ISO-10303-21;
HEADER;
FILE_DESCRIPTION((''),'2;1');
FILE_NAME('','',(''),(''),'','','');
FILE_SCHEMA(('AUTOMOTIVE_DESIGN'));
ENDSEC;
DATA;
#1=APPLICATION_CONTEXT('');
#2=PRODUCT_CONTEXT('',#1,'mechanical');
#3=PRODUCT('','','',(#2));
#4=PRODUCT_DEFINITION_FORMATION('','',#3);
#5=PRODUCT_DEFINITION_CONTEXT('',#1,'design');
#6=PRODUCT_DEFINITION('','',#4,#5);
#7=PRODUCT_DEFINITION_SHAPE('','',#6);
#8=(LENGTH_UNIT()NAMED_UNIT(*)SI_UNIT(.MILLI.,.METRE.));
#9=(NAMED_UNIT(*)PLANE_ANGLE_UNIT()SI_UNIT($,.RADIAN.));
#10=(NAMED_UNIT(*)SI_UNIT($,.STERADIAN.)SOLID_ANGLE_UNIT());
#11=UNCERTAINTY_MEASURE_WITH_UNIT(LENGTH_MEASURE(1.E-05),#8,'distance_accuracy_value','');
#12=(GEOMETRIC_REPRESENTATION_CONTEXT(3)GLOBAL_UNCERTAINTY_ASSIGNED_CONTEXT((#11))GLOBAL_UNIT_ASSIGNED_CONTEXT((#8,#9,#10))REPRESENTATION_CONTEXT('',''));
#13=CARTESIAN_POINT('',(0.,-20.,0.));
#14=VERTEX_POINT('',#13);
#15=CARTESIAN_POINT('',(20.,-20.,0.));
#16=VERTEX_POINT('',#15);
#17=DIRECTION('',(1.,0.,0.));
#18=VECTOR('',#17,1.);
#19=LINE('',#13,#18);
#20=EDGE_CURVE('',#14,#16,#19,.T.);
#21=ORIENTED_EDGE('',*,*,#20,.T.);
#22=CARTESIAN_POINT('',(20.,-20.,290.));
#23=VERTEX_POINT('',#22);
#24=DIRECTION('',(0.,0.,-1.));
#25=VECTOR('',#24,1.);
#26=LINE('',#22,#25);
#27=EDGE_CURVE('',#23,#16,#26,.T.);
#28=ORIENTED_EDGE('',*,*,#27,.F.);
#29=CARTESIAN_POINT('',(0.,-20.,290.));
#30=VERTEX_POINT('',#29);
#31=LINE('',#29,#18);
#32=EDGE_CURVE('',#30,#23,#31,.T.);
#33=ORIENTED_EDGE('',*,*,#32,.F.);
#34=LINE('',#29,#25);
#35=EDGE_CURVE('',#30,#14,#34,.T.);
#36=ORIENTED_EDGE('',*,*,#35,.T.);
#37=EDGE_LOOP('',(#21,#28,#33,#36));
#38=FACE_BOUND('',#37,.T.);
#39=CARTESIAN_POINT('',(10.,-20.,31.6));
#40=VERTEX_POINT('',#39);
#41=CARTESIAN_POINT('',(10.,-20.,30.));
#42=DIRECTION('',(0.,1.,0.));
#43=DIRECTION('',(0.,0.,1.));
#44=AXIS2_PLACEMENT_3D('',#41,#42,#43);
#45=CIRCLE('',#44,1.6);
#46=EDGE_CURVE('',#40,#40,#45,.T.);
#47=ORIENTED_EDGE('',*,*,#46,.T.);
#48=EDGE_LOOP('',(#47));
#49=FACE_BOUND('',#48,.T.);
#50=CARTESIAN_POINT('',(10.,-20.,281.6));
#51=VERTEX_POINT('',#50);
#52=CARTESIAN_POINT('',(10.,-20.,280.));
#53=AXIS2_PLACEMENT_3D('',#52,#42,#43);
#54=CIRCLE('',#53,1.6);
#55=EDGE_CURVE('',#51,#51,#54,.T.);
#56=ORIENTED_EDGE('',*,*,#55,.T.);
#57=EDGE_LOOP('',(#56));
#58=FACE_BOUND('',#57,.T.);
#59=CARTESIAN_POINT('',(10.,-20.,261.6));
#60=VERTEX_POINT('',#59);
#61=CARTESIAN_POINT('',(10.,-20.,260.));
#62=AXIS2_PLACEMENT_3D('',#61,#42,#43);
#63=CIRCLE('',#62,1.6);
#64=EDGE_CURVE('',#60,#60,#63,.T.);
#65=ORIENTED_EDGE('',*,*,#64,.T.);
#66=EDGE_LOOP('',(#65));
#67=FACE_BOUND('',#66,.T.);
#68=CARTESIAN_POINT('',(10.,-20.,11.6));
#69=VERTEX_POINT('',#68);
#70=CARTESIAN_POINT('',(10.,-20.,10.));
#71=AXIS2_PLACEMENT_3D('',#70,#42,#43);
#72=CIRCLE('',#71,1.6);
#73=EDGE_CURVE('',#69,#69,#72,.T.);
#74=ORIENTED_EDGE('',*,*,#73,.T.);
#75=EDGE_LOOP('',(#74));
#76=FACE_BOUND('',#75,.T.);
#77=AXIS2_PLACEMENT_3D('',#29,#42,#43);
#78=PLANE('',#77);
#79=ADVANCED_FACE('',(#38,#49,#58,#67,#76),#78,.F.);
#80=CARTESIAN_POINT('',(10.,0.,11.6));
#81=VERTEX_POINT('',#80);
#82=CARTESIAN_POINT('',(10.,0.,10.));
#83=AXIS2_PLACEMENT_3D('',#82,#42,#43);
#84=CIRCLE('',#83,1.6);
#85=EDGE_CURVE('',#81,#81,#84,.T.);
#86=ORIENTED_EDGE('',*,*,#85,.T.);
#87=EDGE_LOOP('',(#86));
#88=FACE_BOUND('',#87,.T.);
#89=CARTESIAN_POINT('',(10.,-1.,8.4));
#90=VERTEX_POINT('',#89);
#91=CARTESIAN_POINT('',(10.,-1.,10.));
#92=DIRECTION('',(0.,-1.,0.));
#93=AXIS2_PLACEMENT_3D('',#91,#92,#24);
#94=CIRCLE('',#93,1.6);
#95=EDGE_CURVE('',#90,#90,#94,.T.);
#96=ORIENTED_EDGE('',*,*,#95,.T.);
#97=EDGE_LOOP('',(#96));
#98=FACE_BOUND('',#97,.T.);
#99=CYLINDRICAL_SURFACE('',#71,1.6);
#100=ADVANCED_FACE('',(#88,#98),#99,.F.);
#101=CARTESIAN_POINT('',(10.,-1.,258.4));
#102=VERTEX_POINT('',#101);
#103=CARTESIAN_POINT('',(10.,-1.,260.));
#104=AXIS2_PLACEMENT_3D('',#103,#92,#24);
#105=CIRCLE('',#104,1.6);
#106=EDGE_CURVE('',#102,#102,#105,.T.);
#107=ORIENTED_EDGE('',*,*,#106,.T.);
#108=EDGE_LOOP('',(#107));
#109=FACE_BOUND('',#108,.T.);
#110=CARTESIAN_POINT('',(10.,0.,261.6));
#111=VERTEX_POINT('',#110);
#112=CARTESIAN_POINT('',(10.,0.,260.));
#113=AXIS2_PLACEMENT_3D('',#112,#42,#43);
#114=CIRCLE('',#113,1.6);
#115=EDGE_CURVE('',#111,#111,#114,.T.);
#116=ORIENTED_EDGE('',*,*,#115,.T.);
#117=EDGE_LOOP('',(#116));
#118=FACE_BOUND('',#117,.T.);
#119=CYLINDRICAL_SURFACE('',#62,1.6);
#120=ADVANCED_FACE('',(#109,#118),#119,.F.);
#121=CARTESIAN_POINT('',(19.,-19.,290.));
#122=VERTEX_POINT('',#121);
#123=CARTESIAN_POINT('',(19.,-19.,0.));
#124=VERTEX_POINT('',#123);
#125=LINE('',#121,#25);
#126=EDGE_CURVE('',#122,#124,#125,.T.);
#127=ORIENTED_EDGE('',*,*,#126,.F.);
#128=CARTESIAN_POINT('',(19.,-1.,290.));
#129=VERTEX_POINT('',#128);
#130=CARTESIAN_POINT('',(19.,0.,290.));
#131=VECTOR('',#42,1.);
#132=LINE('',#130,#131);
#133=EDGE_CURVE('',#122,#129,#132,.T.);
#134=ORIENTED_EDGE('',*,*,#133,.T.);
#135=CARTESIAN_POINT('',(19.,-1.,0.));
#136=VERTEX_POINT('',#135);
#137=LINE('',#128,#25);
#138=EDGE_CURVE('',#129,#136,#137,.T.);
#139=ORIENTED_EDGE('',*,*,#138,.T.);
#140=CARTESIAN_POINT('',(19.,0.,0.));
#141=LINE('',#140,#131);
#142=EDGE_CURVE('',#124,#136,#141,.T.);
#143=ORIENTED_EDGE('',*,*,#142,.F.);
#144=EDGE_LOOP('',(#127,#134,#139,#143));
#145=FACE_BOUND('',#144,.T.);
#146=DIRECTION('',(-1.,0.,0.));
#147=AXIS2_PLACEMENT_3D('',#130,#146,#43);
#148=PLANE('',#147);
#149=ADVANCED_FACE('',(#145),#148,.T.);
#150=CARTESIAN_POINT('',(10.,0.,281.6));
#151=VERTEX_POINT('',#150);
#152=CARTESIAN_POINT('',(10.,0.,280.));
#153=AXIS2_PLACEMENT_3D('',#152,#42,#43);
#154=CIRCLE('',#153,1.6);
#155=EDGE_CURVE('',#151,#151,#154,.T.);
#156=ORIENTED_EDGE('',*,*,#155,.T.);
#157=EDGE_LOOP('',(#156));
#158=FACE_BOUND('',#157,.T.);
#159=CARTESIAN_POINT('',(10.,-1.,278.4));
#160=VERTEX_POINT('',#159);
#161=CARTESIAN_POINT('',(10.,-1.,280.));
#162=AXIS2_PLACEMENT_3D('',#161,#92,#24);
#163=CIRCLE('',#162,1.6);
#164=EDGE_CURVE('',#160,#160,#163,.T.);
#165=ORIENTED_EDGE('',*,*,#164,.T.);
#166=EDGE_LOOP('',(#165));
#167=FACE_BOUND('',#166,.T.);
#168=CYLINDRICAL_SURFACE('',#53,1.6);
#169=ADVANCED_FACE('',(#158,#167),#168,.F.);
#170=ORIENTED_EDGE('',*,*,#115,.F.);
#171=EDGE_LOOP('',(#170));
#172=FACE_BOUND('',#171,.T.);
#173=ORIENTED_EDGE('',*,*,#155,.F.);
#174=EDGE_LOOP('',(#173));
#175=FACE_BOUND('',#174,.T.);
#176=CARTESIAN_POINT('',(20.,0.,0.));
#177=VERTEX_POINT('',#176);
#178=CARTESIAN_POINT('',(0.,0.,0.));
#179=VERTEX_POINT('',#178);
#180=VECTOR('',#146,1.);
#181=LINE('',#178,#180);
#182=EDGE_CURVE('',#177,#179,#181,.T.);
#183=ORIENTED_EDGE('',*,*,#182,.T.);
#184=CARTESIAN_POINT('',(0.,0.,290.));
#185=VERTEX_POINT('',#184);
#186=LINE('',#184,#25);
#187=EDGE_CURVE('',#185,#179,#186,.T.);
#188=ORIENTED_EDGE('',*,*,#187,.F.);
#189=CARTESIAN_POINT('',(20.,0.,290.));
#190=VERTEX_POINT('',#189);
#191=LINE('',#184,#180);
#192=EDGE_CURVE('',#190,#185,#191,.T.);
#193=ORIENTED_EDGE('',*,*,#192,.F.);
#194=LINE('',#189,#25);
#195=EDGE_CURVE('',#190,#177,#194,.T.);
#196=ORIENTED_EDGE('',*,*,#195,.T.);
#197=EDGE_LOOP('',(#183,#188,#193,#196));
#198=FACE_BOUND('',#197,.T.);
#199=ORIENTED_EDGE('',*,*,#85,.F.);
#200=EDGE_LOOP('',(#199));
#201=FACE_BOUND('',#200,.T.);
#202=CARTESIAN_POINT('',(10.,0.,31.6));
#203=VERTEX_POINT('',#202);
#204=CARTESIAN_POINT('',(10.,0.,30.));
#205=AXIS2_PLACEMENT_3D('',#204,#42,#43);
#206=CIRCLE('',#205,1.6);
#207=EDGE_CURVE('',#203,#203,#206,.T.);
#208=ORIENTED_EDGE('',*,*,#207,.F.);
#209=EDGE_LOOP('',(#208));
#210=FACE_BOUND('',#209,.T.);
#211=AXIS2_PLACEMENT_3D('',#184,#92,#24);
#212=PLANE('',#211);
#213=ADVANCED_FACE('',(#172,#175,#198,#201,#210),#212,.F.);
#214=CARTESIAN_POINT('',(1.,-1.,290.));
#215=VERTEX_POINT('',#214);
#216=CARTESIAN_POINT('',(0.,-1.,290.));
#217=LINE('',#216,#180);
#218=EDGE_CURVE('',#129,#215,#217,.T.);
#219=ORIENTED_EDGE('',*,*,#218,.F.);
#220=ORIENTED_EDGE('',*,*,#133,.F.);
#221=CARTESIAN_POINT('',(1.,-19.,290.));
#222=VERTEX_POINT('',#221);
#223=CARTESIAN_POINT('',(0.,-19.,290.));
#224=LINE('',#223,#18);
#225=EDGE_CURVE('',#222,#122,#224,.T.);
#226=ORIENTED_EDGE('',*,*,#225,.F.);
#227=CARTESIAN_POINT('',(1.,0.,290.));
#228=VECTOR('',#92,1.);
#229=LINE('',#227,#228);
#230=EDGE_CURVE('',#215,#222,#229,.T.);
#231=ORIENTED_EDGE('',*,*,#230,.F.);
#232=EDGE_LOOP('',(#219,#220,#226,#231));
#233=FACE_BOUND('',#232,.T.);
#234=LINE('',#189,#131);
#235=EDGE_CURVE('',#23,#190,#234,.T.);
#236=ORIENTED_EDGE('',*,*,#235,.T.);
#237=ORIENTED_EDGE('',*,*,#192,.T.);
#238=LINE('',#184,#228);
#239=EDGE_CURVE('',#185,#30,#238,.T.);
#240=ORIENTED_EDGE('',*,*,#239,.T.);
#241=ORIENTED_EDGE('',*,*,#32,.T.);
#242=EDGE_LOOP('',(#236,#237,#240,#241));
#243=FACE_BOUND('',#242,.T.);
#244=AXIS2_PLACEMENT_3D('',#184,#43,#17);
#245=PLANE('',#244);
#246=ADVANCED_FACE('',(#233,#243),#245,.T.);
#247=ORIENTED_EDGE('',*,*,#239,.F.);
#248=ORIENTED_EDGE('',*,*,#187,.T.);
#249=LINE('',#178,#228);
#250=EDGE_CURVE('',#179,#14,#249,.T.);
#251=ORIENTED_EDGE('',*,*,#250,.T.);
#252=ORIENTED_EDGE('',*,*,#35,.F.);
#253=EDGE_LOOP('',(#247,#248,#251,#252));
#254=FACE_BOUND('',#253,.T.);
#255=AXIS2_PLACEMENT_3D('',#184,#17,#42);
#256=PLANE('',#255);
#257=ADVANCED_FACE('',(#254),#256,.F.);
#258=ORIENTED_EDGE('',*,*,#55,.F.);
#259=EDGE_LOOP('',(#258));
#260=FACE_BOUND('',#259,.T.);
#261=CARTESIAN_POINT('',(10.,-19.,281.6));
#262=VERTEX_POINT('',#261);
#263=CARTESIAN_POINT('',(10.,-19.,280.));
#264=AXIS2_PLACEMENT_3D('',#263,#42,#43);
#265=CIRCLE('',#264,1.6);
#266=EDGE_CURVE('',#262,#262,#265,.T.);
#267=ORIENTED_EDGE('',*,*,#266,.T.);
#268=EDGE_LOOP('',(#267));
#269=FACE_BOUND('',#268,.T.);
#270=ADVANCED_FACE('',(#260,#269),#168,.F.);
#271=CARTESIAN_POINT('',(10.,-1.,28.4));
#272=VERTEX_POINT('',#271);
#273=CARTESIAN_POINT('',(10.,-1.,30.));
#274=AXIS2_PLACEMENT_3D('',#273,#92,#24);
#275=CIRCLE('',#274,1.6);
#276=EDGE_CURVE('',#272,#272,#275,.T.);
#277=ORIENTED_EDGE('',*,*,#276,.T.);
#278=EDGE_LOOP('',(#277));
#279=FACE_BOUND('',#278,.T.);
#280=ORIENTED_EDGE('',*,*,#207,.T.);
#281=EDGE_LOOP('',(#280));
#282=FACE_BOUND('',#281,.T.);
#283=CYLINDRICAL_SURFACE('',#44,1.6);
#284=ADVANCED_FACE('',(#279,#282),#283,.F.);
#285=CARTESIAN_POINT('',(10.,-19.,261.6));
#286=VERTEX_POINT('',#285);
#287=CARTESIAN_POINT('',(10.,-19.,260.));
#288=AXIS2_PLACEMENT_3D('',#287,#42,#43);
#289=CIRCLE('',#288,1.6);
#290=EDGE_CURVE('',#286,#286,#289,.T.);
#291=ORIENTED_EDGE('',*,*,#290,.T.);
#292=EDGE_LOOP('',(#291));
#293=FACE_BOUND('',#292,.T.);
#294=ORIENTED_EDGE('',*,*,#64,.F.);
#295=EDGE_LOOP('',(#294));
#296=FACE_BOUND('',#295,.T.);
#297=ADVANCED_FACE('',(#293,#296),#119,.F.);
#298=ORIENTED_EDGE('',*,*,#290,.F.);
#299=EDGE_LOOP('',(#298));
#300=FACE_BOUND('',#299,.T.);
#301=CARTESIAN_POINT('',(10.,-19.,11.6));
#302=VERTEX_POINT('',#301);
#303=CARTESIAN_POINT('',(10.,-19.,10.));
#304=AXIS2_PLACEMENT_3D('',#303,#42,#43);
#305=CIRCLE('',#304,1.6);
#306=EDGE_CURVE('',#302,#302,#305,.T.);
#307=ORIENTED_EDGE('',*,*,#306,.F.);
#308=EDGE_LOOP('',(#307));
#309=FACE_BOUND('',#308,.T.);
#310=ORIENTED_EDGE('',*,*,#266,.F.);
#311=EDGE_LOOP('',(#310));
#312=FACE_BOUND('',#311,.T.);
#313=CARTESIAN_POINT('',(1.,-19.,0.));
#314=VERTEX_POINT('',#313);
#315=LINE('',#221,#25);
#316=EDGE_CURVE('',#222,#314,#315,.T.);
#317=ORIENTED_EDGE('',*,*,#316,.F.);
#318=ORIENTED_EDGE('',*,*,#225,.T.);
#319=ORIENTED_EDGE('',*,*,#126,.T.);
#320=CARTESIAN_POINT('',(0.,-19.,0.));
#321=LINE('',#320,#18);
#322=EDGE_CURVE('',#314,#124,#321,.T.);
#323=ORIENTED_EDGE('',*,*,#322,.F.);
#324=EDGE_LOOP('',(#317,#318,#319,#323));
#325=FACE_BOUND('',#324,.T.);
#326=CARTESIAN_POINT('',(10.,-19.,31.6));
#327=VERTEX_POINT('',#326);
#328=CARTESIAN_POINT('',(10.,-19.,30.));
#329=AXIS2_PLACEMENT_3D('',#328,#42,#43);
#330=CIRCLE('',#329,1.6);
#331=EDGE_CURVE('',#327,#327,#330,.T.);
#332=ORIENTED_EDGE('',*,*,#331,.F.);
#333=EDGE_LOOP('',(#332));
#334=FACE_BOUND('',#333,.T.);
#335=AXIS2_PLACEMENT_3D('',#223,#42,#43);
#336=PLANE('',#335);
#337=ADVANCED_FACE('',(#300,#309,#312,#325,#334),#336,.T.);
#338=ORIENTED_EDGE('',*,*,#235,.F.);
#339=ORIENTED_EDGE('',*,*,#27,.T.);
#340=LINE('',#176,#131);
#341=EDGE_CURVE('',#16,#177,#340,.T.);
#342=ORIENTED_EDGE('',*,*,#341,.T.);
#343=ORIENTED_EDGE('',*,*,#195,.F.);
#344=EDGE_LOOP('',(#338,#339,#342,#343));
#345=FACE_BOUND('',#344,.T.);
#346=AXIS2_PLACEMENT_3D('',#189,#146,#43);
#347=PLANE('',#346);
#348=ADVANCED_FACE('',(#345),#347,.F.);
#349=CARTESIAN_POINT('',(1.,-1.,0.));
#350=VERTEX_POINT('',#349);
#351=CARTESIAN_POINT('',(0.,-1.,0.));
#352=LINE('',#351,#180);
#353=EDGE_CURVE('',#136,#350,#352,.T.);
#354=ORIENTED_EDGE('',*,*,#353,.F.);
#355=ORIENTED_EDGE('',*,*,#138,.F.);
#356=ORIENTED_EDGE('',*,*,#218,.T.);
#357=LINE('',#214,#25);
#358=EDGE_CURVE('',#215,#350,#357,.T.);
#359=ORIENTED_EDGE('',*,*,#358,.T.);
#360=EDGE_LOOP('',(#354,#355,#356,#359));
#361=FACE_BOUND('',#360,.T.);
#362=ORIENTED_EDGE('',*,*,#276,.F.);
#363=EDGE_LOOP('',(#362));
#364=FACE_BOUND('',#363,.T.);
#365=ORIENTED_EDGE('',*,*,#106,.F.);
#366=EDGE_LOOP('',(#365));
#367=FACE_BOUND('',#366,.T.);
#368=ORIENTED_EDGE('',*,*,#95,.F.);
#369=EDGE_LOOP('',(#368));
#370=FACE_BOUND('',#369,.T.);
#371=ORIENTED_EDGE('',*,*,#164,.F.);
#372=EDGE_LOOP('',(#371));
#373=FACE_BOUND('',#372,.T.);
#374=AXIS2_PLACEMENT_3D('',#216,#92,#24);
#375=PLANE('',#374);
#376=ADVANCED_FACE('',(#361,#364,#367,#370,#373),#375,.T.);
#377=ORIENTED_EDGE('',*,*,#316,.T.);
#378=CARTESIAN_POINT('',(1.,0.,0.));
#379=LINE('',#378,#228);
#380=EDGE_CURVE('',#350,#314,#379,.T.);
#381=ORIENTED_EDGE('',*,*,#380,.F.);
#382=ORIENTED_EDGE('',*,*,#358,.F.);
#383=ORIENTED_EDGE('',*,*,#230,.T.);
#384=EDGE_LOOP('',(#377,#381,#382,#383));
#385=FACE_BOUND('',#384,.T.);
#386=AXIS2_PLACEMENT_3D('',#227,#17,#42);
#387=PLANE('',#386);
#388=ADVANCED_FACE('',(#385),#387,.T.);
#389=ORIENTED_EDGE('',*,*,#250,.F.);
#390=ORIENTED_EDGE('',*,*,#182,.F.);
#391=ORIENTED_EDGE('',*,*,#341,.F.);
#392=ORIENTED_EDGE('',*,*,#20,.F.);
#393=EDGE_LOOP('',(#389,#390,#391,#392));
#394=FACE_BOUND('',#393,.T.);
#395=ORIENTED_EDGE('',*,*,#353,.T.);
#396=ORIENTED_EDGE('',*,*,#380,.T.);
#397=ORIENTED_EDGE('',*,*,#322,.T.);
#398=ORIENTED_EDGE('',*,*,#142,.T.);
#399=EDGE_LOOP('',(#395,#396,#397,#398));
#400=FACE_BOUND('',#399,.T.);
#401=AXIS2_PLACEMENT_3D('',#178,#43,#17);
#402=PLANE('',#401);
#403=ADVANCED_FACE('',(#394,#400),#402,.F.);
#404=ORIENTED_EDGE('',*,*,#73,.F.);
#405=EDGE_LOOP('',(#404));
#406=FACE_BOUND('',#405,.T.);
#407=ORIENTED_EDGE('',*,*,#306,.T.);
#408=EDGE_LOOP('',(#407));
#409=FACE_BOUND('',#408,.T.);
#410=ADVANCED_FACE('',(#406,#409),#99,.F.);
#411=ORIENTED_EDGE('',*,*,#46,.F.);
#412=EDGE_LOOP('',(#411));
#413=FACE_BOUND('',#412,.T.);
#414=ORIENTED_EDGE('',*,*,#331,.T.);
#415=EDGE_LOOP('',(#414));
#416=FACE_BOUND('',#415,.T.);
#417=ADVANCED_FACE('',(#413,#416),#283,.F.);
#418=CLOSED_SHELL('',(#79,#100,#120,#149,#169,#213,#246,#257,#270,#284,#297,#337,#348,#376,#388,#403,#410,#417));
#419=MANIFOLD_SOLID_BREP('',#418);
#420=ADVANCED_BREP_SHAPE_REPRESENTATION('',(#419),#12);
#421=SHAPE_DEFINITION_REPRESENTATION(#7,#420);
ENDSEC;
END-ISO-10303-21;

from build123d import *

# Parameters (mm, degrees)
SKETCH_1_W          = 20
SKETCH_1_H          = 20
SKETCH_1_W_2        = 18
SKETCH_1_H_2        = 18
EXTRUDE_1_DEPTH     = 290
SKETCH_2_R          = 1.6
CUT_EXTRUDE_1_DEPTH = 292.376045687


with BuildPart() as part:
    # 草图1 → 拉伸-薄壁1 (new body)
    with BuildSketch(Plane.XY):
        with Locations((10, -10)):
            Rectangle(SKETCH_1_W, SKETCH_1_H)
        with Locations((10, -10)):
            Rectangle(SKETCH_1_W_2, SKETCH_1_H_2, mode=Mode.SUBTRACT)
    extrude(amount=EXTRUDE_1_DEPTH)

    # 草图2 → 切除-拉伸1 (cut, through all)
    with BuildSketch(Plane(origin=(0, 0, 0), x_dir=(1, 0, 0), z_dir=(0, 1, 0))):
        with Locations(Location((10, -280, 0), (0, 0, 270))):
            Circle(SKETCH_2_R)
        with Locations(Location((10, -260, 0), (0, 0, 270))):
            Circle(SKETCH_2_R)
        with Locations(Location((10, -30, 0), (0, 0, 270))):
            Circle(SKETCH_2_R)
        with Locations(Location((10, -10, 0), (0, 0, 270))):
            Circle(SKETCH_2_R)
    extrude(amount=-CUT_EXTRUDE_1_DEPTH, mode=Mode.SUBTRACT)


solid = part.part
